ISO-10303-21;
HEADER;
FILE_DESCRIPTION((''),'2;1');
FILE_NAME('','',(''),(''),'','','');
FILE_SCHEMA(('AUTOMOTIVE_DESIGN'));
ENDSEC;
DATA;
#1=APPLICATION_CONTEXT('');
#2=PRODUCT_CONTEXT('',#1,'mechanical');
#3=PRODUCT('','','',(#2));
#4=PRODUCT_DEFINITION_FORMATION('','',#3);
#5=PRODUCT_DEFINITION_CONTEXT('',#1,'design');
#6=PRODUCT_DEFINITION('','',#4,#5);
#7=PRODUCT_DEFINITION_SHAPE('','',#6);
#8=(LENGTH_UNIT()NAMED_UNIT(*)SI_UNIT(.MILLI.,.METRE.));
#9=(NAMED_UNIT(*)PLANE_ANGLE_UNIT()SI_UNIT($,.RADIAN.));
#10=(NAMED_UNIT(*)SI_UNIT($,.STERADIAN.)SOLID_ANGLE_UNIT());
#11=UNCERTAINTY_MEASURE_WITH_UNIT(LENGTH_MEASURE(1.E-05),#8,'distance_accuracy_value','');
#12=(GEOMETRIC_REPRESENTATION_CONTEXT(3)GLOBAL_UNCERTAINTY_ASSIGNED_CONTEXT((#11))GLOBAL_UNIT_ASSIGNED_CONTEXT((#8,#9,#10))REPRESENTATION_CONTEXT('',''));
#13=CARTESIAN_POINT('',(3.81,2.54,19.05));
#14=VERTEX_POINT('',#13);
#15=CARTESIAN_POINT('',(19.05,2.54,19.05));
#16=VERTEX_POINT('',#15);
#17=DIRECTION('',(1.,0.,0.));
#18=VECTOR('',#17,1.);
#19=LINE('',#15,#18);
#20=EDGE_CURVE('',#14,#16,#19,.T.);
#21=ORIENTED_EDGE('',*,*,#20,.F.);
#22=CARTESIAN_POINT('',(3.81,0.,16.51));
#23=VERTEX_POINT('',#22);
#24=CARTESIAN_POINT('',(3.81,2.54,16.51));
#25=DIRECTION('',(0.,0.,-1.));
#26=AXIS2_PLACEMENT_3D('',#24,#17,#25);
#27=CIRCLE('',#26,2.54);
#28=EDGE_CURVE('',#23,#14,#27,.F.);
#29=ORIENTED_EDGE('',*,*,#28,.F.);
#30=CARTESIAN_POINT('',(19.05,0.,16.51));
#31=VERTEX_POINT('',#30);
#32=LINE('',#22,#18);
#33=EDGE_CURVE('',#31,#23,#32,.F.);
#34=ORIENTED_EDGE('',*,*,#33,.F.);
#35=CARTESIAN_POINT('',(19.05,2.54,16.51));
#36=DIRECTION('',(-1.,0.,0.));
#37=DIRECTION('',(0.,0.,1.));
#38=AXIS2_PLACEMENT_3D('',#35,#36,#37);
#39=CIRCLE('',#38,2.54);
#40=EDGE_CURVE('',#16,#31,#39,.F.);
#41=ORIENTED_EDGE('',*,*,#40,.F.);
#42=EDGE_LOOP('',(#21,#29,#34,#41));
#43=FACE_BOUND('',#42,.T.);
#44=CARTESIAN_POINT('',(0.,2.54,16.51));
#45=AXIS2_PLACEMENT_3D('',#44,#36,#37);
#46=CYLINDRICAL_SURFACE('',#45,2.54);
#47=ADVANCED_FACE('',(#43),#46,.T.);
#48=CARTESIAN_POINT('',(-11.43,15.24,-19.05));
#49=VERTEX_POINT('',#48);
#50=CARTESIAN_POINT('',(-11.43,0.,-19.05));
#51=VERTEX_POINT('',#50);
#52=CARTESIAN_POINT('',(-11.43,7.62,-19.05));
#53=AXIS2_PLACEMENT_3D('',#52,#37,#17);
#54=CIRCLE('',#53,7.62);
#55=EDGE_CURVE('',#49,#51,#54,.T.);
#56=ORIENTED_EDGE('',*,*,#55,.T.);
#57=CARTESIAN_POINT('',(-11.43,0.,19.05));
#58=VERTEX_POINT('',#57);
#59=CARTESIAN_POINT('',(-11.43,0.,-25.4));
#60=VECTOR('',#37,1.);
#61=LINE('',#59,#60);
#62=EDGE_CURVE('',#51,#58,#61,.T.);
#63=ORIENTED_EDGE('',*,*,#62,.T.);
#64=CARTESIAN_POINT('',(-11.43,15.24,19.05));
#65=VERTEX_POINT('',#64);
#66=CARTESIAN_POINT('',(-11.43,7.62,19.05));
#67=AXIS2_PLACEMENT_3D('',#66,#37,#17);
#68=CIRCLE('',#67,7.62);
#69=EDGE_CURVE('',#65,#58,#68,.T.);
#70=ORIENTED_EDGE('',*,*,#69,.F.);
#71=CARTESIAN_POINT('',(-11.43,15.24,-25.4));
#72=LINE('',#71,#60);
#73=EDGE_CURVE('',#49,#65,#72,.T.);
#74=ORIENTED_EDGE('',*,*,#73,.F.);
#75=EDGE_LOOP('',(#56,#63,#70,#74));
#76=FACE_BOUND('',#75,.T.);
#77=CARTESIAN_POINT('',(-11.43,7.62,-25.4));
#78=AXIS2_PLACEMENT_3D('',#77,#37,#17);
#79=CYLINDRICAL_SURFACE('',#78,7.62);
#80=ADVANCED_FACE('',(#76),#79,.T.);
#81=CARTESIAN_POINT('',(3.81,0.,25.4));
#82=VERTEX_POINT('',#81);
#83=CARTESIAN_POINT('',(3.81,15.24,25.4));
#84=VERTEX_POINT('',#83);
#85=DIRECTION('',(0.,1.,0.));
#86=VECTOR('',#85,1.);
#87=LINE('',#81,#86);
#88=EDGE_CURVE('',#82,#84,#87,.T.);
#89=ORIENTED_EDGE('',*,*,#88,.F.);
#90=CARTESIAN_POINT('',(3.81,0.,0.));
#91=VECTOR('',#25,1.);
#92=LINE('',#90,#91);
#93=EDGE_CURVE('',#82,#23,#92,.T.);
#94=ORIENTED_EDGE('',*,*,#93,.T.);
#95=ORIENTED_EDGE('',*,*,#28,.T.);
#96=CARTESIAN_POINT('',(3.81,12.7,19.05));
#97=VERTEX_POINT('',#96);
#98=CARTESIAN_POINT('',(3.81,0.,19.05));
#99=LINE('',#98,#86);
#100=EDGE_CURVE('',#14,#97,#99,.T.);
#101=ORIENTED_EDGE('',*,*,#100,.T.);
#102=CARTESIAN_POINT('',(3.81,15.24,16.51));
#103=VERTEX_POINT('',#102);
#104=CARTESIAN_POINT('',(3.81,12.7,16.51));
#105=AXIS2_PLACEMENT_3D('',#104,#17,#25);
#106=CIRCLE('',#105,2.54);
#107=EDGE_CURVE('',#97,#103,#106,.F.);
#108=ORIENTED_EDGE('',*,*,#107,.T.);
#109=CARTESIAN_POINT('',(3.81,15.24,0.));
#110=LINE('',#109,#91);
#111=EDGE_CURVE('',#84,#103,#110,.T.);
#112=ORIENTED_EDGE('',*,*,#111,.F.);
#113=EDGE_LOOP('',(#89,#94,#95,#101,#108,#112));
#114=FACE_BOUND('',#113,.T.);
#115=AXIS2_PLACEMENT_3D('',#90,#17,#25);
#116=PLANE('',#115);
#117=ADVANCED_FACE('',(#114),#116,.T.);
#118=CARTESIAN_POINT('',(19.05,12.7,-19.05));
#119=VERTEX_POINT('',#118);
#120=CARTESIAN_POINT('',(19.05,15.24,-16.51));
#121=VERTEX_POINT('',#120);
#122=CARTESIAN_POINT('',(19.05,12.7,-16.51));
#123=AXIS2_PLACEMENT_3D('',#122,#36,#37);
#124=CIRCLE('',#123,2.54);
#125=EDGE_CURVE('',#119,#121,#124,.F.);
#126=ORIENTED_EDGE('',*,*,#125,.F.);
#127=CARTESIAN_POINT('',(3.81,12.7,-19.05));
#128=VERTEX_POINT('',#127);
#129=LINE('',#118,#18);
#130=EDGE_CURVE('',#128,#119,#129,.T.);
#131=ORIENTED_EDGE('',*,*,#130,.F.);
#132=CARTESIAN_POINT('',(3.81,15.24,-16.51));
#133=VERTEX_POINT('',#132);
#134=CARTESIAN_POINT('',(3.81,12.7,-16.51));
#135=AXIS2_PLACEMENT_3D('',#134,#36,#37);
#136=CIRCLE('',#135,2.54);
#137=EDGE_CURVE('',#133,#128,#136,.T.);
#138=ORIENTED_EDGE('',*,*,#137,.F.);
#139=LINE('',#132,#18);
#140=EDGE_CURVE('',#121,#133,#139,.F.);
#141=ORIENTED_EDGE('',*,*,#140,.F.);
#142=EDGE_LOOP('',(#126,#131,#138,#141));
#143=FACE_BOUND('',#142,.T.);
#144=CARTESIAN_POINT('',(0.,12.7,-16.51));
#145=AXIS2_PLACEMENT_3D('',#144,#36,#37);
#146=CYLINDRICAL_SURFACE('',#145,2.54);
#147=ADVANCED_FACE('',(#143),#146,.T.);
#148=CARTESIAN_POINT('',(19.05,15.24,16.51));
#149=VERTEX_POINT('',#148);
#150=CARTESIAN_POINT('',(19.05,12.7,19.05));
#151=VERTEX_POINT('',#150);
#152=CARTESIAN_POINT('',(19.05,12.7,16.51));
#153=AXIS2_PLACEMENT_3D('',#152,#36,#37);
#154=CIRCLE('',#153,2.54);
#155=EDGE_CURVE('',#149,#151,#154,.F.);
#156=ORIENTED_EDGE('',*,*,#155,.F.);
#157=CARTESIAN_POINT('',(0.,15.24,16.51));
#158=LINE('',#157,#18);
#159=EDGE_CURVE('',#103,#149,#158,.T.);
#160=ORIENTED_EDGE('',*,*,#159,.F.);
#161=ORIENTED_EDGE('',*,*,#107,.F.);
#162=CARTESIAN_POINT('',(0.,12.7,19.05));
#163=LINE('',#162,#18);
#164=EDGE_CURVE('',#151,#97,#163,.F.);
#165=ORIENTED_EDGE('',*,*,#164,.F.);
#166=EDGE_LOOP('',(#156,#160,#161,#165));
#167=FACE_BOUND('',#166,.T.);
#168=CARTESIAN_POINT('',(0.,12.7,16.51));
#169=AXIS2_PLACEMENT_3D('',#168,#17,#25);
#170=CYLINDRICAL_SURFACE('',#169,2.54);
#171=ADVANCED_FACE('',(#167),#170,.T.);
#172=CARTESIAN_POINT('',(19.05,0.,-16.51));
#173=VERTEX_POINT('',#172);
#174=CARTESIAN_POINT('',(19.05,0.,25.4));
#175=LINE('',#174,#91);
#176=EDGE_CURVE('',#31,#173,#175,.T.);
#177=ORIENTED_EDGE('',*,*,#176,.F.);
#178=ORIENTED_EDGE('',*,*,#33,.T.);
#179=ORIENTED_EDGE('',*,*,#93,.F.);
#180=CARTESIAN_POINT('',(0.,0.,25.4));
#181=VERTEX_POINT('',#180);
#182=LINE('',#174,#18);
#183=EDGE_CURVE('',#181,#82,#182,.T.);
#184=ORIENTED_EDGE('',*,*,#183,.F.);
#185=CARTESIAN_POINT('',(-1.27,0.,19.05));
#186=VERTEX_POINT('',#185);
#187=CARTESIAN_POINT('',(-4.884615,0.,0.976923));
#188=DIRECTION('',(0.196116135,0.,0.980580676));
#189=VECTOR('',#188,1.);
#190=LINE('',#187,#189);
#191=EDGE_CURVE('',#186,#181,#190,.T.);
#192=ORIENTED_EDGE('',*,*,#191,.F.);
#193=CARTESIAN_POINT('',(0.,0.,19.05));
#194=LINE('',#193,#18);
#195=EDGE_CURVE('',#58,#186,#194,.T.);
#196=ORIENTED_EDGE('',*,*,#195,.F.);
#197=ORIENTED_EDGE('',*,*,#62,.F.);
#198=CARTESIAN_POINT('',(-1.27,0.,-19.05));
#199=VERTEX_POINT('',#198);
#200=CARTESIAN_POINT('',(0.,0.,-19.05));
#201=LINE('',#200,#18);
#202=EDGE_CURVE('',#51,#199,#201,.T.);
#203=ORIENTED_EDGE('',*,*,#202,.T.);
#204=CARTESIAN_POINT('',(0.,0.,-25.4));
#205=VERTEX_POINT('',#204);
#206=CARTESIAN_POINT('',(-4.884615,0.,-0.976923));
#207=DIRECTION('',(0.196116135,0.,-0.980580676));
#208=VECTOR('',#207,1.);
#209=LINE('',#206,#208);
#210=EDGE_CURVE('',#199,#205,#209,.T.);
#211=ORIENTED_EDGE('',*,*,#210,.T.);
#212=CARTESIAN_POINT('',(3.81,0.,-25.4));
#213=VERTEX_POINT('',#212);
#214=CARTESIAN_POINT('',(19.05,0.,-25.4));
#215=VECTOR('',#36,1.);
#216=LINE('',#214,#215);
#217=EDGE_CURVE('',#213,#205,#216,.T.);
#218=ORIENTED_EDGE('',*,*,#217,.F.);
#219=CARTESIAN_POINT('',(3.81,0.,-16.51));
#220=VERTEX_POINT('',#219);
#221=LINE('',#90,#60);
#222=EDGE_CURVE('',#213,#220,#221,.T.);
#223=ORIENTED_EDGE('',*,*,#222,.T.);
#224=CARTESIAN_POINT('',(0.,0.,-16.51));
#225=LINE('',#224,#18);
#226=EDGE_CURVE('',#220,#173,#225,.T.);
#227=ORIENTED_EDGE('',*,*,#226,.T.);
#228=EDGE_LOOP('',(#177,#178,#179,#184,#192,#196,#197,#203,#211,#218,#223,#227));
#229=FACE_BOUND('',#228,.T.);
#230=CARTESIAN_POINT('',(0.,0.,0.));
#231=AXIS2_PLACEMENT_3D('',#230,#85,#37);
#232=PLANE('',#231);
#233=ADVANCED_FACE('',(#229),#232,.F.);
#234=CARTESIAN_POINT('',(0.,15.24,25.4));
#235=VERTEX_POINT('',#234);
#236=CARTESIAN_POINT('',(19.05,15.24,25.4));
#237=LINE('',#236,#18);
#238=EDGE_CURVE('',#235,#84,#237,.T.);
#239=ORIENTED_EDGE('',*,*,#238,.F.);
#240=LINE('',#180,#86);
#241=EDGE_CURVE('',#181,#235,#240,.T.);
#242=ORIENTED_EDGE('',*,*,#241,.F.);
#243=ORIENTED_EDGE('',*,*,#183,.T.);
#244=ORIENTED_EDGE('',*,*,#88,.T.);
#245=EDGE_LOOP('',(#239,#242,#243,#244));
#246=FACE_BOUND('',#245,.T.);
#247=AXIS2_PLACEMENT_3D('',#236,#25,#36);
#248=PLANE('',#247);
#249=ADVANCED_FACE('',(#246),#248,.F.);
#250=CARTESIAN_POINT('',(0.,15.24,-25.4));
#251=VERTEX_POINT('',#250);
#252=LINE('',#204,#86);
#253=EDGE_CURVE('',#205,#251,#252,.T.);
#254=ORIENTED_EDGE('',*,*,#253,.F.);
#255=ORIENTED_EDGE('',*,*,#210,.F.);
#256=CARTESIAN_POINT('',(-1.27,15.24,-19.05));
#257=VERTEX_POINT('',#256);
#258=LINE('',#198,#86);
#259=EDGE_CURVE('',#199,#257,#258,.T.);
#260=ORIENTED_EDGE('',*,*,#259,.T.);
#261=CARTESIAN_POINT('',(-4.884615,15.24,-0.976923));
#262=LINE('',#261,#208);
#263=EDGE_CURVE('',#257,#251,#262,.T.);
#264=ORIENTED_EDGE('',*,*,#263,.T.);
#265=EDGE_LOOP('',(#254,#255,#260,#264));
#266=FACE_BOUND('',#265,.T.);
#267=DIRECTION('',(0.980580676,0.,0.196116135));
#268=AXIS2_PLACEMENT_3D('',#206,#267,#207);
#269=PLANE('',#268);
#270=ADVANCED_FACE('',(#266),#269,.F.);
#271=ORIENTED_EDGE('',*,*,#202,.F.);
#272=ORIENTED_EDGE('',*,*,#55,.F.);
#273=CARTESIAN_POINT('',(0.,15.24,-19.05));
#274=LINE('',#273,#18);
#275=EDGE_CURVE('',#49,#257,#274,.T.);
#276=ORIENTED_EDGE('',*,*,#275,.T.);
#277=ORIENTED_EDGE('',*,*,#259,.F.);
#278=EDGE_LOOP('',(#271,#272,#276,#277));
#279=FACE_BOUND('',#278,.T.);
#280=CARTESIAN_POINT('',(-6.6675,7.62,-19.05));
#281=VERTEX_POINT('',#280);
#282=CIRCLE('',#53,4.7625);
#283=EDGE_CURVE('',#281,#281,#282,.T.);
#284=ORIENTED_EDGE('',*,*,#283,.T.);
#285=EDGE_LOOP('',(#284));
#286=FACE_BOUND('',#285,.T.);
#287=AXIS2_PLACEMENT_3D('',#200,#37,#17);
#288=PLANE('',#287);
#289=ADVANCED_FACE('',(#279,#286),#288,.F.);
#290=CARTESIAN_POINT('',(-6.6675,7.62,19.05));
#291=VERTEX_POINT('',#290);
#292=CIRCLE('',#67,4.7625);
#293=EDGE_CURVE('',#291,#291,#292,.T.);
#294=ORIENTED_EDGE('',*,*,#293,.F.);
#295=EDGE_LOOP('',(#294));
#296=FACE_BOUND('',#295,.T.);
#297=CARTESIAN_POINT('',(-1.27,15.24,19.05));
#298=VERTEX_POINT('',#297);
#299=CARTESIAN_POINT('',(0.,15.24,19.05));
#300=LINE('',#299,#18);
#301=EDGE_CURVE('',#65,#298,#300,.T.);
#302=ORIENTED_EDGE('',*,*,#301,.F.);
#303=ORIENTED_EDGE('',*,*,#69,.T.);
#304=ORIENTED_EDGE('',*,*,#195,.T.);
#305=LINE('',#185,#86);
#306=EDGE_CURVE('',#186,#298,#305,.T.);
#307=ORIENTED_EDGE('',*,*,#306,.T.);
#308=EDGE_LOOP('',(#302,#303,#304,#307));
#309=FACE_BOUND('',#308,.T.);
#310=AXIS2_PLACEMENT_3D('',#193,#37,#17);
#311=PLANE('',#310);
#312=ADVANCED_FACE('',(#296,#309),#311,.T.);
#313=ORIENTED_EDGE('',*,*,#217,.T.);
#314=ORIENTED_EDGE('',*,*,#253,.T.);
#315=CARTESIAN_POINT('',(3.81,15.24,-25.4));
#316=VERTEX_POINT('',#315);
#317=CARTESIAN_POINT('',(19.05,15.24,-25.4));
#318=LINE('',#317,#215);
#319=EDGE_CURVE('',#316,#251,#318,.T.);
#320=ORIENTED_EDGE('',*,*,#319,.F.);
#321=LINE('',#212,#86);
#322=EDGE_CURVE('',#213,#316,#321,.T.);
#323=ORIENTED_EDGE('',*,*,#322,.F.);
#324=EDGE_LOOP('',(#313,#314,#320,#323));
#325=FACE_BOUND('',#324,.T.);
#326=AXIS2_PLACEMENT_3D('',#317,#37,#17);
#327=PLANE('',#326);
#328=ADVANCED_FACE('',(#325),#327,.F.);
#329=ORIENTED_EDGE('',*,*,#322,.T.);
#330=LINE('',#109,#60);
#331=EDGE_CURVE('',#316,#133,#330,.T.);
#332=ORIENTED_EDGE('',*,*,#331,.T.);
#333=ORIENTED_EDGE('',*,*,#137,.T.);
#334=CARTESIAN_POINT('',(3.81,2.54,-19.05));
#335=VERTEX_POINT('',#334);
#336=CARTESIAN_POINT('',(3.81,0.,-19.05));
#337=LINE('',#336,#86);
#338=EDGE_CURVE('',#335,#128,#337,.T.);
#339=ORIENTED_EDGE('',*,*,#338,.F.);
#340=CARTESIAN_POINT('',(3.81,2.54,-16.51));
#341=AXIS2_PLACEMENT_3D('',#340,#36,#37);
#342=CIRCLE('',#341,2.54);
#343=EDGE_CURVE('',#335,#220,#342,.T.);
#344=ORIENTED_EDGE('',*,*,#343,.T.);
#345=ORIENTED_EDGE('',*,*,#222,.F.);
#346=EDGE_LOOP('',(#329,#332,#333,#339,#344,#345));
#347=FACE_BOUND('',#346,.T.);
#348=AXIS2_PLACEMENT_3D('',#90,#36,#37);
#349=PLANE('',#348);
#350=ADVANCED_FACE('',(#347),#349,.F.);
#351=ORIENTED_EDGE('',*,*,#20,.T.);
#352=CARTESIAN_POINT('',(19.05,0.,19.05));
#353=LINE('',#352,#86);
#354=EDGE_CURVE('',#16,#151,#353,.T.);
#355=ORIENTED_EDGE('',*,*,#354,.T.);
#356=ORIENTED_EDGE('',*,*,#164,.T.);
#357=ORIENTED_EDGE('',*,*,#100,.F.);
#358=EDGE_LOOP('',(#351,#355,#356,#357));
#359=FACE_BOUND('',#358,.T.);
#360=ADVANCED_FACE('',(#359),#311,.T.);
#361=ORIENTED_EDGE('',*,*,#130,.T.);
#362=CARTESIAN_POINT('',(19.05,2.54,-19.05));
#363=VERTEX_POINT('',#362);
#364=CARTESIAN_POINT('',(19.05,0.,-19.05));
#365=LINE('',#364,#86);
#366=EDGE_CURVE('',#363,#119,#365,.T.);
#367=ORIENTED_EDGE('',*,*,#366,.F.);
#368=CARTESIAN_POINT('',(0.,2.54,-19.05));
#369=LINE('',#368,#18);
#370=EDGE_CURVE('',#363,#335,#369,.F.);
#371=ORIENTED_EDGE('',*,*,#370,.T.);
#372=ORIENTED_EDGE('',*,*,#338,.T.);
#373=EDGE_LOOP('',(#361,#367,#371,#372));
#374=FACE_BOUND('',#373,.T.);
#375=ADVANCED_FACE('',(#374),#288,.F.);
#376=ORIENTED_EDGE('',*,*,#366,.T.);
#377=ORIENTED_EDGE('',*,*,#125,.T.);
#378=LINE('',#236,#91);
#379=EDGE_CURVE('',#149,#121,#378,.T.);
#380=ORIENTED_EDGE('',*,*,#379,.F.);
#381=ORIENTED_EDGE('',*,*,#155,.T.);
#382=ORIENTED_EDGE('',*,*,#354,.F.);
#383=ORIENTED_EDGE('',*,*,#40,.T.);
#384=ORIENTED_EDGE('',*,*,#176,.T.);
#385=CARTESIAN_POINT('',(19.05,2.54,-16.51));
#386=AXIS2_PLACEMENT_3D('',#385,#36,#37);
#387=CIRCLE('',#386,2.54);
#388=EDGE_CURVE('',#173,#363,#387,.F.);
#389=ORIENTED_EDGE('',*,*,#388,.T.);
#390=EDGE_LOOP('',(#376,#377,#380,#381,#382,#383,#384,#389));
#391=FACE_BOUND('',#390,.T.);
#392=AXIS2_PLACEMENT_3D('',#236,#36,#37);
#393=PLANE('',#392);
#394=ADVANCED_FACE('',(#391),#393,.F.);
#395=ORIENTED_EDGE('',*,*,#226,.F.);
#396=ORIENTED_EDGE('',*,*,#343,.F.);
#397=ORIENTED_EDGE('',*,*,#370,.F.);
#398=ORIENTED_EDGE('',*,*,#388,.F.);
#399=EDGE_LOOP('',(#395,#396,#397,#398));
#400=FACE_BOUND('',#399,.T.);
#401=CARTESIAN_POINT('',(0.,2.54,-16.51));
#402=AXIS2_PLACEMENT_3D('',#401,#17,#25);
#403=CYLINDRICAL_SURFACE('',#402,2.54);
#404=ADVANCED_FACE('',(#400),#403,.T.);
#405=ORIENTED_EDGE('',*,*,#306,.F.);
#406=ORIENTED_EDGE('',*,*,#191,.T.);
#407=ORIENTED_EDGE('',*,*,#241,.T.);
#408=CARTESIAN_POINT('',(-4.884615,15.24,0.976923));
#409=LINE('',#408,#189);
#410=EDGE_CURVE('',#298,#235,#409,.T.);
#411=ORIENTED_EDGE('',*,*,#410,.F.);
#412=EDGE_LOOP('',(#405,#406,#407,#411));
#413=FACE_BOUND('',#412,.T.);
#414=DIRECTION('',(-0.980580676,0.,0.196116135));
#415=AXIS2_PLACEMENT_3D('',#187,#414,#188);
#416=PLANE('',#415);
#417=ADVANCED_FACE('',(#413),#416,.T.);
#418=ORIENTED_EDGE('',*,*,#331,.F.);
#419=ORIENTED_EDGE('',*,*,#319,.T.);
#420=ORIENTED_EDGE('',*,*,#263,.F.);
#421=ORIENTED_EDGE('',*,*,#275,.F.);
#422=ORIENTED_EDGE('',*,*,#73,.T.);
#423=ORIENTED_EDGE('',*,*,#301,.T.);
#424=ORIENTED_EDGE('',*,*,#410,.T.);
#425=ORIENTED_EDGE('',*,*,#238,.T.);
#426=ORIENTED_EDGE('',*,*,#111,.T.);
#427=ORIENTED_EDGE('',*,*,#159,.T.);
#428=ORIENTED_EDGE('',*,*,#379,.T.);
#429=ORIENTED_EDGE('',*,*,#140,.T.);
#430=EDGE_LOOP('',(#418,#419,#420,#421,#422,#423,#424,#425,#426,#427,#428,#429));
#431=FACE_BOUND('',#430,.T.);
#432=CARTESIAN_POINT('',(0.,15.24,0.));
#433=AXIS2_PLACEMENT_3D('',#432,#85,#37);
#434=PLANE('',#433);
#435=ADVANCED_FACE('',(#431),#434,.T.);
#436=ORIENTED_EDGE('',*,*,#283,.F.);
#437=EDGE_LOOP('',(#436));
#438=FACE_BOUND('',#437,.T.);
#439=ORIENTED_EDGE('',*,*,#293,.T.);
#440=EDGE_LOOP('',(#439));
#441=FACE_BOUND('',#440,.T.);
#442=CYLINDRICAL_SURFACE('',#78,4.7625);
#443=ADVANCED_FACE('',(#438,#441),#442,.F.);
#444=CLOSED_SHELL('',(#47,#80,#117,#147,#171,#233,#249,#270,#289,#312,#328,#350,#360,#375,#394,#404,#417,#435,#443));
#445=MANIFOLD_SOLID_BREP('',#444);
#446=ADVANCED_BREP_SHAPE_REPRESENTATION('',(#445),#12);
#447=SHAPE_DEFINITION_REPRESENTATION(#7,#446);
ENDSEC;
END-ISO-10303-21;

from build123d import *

# Parameters (mm, degrees)
SKETCH1_W           = 38.1
SKETCH1_H           = 50.8
BOSS_EXTRUDE1_DEPTH = 15.24
SKETCH2_W           = 17.78
SKETCH2_H           = 6.35
SKETCH2_W_2         = 15.24
CUT_EXTRUDE1_DEPTH  = 15.24
SKETCH3_R           = 4.7625
CUT_EXTRUDE2_DEPTH  = 45.45
FILLET1_R           = 2.54


with BuildPart() as part:
    # Sketch1 → Boss-Extrude1 (new body)
    with BuildSketch(Plane(origin=(0, 0, 0), x_dir=(1, 0, 0), z_dir=(0, 1, 0))):
        Rectangle(SKETCH1_W, SKETCH1_H)
    extrude(amount=BOSS_EXTRUDE1_DEPTH)

    # Sketch2 → Cut-Extrude1 (cut)
    with BuildSketch(Plane(origin=(0, 15.24, 0), x_dir=(1, 0, 0), z_dir=(0, 1, 0))):
        with Locations((-10.16, 22.225)):
            Rectangle(SKETCH2_W, SKETCH2_H)
        with Locations((11.43, 22.225)):
            Rectangle(SKETCH2_W_2, SKETCH2_H)
        with Locations((-10.16, -22.225)):
            Rectangle(SKETCH2_W, SKETCH2_H)
        with Locations((11.43, -22.225)):
            Rectangle(SKETCH2_W_2, SKETCH2_H)
        Polygon((0, -25.4), (-1.27, -19.05), (-1.27, -25.4), align=None)
        Polygon((0, 25.4), (-1.27, 25.4), (-1.27, 19.05), align=None)
    extrude(amount=-CUT_EXTRUDE1_DEPTH, mode=Mode.SUBTRACT)

    # Sketch3 → Cut-Extrude2 (cut, through all)
    with BuildSketch(Plane.XY.offset(19.05)):
        with BuildLine():
            ThreePointArc((-19.05, 7.62), (-16.818153673, 13.008153673), (-11.43, 15.24))
            Line((-11.43, 15.24), (-19.05, 15.24))
            Line((-19.05, 15.24), (-19.05, 7.62))
        make_face()
        with BuildLine():
            ThreePointArc((-11.43, 0), (-16.818153673, 2.231846327), (-19.05, 7.62))
            Line((-19.05, 7.62), (-19.05, 0))
            Line((-19.05, 0), (-11.43, 0))
        make_face()
        with Locations((-11.43, 7.62)):
            Circle(SKETCH3_R)
    extrude(amount=-CUT_EXTRUDE2_DEPTH, mode=Mode.SUBTRACT)

    # Fillet1
    fillet1_edges = [part.edges().sort_by_distance(p)[0] for p in [
        (11.43, 15.24, 19.05),
        (11.43, 0, 19.05),
        (11.43, 0, -19.05),
        (11.43, 15.24, -19.05),
    ]]
    fillet(fillet1_edges, radius=FILLET1_R)


solid = part.part
